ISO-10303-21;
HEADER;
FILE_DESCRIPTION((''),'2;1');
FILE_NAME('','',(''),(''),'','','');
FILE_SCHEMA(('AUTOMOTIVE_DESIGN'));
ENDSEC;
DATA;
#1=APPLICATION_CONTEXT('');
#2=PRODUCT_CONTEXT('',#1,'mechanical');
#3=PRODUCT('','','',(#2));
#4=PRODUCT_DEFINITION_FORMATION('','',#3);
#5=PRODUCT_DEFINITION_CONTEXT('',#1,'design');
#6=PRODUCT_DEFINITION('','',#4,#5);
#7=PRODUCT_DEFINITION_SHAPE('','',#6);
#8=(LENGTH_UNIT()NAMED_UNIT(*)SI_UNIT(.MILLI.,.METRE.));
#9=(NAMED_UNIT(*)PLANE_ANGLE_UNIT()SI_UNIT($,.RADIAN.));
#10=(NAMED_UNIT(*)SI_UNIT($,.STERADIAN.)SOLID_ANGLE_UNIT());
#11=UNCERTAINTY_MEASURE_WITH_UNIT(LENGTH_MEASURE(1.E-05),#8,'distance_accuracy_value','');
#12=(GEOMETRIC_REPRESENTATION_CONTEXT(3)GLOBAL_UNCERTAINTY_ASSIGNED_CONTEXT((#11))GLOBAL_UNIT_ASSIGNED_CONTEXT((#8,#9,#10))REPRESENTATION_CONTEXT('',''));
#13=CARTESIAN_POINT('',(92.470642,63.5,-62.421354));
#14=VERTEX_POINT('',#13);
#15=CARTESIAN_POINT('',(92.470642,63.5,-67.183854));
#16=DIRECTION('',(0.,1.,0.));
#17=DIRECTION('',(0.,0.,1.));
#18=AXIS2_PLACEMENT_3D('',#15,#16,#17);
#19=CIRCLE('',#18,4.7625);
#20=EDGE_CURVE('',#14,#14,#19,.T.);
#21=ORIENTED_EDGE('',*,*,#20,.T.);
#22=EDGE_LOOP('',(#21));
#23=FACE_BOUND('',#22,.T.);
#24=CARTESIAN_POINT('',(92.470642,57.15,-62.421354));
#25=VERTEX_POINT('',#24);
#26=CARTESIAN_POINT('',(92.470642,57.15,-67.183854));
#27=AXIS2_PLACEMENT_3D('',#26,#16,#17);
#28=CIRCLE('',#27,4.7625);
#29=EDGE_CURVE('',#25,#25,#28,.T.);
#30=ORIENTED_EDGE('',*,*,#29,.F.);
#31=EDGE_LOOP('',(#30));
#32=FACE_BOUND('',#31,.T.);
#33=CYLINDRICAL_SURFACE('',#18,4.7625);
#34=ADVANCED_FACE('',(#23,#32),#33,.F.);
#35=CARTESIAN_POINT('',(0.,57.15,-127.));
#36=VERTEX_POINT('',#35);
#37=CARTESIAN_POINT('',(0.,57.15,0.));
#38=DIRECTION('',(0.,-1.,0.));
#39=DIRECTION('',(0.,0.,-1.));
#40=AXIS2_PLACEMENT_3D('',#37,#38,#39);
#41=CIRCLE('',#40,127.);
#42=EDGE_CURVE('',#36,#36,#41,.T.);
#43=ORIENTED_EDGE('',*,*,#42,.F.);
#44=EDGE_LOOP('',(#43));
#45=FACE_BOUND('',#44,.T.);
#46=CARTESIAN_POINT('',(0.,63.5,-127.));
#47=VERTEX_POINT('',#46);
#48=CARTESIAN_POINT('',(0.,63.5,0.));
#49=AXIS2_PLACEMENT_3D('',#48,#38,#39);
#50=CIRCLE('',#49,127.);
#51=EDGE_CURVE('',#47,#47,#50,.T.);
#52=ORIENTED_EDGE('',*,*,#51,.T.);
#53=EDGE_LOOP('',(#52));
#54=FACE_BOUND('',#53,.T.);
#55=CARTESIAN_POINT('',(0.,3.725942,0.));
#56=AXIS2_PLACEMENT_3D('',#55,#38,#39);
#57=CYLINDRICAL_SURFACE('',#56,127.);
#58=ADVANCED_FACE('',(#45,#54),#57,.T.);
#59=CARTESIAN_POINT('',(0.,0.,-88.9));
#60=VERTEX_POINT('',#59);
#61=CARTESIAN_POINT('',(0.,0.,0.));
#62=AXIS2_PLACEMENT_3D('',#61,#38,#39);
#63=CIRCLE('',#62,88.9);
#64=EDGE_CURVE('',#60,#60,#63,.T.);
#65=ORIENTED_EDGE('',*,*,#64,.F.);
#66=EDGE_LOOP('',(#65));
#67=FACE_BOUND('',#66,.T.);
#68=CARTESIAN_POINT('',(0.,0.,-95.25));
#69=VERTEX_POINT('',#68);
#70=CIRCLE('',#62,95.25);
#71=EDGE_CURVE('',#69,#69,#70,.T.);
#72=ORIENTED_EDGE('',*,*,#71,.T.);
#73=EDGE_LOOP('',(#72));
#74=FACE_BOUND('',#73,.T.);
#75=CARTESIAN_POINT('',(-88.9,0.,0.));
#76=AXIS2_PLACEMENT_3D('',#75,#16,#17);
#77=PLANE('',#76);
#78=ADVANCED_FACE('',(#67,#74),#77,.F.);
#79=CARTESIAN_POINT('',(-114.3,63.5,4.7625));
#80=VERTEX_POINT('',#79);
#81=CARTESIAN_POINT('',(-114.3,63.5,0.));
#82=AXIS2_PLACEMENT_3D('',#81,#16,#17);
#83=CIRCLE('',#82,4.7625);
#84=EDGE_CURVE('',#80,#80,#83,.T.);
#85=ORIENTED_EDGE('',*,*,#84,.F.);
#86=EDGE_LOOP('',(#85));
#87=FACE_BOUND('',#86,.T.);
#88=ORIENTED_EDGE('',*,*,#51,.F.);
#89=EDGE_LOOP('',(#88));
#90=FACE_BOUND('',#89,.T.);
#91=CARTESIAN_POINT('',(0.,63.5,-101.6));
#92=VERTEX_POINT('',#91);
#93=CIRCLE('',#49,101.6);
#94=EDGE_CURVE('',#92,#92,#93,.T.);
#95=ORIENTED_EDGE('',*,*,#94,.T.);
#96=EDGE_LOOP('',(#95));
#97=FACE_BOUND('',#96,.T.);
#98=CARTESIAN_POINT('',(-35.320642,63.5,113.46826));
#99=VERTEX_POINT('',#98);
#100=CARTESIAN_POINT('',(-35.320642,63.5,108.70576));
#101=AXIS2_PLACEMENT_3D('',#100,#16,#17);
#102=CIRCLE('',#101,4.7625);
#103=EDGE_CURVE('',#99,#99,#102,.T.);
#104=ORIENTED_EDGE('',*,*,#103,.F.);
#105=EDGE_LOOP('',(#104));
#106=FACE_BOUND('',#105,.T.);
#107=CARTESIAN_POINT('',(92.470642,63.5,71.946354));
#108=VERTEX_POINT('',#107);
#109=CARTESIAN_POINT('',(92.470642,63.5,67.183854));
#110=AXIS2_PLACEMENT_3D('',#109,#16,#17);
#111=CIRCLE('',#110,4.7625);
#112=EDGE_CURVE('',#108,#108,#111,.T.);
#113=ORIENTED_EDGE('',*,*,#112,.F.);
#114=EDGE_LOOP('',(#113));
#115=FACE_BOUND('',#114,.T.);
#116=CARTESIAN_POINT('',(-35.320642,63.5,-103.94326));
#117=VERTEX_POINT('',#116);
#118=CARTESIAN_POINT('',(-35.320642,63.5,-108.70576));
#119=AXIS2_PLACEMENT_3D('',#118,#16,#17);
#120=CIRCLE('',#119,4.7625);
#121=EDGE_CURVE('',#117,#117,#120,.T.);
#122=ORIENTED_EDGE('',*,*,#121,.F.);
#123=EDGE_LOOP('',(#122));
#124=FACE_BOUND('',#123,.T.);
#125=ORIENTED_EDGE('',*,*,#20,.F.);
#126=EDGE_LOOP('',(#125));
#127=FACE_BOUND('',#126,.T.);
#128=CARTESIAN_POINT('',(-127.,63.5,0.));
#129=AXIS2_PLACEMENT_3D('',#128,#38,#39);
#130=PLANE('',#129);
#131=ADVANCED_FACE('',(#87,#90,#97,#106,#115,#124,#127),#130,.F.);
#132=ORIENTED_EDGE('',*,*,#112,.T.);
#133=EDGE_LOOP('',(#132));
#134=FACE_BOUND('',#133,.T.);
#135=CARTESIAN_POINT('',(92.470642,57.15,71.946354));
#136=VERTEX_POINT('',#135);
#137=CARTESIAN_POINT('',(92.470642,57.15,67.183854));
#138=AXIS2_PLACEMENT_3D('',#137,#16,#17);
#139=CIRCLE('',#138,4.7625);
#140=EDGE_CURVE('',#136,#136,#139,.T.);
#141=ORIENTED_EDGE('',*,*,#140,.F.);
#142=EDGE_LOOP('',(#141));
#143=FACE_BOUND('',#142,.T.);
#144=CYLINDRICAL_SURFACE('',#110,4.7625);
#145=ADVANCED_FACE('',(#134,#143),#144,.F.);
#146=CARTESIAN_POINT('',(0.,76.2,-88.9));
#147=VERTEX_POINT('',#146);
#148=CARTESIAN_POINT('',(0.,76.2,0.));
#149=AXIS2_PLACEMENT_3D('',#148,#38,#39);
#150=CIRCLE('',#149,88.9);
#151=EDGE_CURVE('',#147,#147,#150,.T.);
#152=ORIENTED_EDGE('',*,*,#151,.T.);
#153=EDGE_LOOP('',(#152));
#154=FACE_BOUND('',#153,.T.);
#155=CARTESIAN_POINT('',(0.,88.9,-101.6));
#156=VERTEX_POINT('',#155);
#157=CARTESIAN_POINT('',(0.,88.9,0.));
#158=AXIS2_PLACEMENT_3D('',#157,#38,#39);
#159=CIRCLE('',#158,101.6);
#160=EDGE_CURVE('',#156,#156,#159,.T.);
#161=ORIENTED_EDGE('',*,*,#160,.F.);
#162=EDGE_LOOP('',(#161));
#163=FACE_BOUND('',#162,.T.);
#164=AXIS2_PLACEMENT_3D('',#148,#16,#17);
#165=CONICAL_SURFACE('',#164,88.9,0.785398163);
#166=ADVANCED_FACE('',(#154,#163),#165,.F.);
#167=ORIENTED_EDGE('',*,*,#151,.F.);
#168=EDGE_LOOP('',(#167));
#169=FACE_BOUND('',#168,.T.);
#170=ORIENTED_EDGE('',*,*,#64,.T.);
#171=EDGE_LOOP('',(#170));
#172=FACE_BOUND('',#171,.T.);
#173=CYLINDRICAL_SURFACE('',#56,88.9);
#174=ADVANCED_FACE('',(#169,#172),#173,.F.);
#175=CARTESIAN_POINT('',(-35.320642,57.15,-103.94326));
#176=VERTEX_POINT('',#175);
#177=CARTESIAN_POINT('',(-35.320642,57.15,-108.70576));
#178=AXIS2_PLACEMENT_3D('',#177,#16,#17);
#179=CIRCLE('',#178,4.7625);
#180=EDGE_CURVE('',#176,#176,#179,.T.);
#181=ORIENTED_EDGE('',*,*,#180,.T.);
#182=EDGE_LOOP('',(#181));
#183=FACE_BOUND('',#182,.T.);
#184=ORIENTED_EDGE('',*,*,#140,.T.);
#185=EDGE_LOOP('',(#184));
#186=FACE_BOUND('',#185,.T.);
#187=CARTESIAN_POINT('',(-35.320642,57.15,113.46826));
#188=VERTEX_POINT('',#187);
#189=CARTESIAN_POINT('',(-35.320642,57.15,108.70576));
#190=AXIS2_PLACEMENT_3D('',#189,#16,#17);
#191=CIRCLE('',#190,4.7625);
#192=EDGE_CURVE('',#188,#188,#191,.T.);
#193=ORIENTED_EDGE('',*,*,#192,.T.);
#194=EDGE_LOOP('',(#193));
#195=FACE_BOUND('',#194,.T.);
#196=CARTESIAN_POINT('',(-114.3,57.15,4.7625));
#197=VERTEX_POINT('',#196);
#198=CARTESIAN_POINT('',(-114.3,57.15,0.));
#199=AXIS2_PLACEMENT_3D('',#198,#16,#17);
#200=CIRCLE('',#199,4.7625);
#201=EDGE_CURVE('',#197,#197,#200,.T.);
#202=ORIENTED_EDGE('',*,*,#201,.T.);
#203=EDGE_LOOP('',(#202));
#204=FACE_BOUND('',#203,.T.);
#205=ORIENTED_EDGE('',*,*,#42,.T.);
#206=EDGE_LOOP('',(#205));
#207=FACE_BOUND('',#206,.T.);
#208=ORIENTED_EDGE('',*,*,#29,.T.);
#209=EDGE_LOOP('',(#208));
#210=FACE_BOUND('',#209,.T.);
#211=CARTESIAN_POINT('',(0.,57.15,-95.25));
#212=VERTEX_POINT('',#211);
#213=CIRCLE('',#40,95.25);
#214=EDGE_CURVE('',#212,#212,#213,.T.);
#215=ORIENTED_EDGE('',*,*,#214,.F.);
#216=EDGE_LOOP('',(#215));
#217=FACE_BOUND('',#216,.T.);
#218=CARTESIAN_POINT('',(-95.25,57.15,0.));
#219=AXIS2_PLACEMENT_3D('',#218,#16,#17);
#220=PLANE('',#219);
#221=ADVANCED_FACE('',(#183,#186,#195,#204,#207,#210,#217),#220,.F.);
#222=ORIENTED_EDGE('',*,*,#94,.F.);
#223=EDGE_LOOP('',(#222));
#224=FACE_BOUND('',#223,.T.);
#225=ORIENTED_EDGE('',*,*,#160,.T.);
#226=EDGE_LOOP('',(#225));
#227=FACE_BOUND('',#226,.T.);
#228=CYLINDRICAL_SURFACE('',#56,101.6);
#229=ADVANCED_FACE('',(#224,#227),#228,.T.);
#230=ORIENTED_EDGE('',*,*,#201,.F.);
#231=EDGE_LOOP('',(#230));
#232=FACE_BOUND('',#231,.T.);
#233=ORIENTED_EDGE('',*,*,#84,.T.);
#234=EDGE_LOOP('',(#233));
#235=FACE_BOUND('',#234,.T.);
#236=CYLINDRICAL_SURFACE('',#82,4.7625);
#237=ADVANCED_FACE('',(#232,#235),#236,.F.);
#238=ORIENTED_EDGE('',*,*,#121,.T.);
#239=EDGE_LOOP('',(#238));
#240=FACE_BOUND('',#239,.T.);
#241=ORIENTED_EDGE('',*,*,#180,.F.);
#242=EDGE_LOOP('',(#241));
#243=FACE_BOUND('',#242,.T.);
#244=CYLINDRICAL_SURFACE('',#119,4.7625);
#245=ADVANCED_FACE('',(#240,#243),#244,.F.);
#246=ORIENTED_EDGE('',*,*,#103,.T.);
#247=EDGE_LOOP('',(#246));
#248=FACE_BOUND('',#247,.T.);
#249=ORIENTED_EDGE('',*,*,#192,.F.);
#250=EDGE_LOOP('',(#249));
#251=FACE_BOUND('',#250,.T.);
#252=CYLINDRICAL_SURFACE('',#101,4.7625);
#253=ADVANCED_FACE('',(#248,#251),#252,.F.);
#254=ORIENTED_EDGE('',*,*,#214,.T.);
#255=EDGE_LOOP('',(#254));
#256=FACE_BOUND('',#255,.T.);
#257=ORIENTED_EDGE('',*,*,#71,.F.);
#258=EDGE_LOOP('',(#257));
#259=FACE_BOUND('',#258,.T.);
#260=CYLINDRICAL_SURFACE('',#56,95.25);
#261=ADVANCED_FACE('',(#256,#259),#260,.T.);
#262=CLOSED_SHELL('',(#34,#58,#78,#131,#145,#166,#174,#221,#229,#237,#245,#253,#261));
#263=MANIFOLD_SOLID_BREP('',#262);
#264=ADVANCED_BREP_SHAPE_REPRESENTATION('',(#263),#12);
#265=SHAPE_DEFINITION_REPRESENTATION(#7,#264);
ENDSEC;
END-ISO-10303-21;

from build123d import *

# Parameters (mm, degrees)
HOLE1_D           = 9.525
CIRPATTERN1_COUNT = 5


with BuildPart() as part:
    # Sketch2 → Revolve1 (revolve)
    with BuildSketch(Plane.XY):
        Polygon((-88.9, 0), (-95.25, 0), (-95.25, 57.15), (-127, 57.15), (-127, 63.5), (-101.6, 63.5), (-101.6, 88.9), (-88.9, 76.2), align=None)
    revolve(axis=Axis((0, 3.725942355, 0), (0, 1, 0)))

    # Hole1 (through all)
    with Locations(Plane(origin=(0, 63.5, 0), x_dir=(1, 0, 0), z_dir=(0, 1, 0))):
        with Locations((-114.3, 0)):
            hole1 = Hole(HOLE1_D / 2)

    # CirPattern1: Hole1 ×5 about axis
    cirpattern1_axis = Axis((0, 0, 0), (0, 1, 0))
    for i in range(1, CIRPATTERN1_COUNT):
        add(hole1.rotate(cirpattern1_axis, i * 360 / CIRPATTERN1_COUNT), mode=Mode.SUBTRACT)


solid = part.part
